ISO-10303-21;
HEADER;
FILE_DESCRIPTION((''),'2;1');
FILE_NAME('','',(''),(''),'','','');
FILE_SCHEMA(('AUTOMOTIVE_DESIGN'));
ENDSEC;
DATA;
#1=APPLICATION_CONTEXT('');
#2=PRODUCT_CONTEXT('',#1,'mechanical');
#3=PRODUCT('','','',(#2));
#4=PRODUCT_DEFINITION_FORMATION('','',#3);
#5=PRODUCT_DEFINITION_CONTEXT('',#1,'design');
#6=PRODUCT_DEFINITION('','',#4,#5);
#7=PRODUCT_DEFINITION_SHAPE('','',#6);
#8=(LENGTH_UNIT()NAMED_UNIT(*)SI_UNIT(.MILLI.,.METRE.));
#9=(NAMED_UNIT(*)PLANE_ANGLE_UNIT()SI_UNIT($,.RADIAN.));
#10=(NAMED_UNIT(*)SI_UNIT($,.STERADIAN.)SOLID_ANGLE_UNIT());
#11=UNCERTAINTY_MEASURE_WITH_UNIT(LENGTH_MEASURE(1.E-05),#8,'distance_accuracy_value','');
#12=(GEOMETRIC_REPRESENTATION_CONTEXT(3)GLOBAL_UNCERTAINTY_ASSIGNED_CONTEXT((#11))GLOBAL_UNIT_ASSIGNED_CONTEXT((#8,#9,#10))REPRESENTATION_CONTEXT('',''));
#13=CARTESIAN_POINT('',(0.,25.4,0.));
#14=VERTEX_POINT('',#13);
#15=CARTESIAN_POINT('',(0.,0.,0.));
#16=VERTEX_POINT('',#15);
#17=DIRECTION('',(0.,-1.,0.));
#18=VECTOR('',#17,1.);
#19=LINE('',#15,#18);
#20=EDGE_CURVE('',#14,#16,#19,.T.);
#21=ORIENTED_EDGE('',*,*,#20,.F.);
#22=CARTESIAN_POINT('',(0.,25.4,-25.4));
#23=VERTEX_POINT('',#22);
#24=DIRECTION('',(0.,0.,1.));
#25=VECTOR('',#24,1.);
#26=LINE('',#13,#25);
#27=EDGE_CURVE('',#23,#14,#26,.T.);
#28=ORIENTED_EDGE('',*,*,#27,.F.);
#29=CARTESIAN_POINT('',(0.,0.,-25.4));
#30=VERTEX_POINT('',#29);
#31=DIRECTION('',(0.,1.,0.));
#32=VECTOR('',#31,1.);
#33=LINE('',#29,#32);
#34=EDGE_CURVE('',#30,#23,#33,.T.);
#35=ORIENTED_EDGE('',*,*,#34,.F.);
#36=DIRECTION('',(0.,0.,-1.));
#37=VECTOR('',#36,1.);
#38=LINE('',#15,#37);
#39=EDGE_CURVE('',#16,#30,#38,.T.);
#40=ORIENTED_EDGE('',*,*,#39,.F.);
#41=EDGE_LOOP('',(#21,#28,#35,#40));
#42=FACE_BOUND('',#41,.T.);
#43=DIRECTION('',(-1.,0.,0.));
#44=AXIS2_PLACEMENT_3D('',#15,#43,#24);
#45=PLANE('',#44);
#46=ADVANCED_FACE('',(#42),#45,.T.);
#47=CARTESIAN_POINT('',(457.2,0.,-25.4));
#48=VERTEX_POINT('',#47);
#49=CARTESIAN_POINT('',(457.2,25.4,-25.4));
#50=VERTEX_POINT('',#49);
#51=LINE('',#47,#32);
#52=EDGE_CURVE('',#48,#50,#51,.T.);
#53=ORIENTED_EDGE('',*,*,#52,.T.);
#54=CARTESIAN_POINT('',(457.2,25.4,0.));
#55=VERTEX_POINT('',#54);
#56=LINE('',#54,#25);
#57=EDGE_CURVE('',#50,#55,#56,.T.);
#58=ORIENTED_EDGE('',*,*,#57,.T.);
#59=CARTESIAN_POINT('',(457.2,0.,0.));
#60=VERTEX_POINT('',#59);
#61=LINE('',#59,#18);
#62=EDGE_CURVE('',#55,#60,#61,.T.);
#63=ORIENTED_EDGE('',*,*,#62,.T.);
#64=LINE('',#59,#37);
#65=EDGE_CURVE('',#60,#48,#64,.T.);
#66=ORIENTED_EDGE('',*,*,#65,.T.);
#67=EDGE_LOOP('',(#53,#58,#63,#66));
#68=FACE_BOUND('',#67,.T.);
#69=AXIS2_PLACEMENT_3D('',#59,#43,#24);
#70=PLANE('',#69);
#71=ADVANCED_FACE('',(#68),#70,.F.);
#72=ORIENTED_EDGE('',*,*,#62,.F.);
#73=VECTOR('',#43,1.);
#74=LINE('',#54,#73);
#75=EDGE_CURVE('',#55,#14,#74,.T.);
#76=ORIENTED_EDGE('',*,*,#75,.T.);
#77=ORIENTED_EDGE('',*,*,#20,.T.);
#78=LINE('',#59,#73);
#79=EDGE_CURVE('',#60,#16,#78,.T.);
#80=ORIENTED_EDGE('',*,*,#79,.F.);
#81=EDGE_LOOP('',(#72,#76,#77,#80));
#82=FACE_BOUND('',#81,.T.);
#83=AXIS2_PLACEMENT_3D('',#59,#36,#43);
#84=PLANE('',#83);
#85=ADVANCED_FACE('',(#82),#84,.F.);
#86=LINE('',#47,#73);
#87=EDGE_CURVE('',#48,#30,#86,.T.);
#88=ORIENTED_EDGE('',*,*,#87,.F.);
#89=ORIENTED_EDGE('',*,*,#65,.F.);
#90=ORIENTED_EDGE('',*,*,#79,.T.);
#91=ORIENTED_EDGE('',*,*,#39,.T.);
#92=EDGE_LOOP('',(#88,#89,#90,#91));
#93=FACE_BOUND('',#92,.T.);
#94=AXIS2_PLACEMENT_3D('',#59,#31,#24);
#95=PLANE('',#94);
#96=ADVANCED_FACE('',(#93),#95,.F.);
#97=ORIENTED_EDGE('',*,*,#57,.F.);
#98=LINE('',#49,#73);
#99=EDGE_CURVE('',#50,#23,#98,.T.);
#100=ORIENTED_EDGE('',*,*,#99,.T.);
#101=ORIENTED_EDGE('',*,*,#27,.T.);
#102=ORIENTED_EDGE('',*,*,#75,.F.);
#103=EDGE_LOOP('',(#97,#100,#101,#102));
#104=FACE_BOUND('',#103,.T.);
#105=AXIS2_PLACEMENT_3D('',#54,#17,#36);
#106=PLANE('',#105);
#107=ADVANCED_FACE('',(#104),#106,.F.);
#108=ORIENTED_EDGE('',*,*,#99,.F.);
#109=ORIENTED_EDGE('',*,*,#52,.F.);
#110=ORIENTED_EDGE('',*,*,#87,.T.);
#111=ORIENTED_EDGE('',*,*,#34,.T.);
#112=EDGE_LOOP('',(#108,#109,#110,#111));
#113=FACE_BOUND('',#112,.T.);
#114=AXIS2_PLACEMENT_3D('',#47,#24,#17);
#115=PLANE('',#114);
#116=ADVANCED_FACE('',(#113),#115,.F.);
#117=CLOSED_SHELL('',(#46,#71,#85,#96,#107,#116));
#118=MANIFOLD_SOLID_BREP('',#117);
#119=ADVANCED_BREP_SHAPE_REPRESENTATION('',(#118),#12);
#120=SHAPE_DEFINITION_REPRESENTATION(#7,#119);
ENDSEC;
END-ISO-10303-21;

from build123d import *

# Parameters (mm, degrees)
SKETCH1_W           = 25.4
SKETCH1_H           = 25.4
BOSS_EXTRUDE1_DEPTH = 457.2


with BuildPart() as part:
    # Sketch1 → Boss-Extrude1 (new body)
    with BuildSketch(Plane(origin=(0, 0, 0), x_dir=(0, 0, -1), z_dir=(1, 0, 0))):
        with Locations((12.7, 12.7)):
            Rectangle(SKETCH1_W, SKETCH1_H)
    extrude(amount=BOSS_EXTRUDE1_DEPTH)


solid = part.part
